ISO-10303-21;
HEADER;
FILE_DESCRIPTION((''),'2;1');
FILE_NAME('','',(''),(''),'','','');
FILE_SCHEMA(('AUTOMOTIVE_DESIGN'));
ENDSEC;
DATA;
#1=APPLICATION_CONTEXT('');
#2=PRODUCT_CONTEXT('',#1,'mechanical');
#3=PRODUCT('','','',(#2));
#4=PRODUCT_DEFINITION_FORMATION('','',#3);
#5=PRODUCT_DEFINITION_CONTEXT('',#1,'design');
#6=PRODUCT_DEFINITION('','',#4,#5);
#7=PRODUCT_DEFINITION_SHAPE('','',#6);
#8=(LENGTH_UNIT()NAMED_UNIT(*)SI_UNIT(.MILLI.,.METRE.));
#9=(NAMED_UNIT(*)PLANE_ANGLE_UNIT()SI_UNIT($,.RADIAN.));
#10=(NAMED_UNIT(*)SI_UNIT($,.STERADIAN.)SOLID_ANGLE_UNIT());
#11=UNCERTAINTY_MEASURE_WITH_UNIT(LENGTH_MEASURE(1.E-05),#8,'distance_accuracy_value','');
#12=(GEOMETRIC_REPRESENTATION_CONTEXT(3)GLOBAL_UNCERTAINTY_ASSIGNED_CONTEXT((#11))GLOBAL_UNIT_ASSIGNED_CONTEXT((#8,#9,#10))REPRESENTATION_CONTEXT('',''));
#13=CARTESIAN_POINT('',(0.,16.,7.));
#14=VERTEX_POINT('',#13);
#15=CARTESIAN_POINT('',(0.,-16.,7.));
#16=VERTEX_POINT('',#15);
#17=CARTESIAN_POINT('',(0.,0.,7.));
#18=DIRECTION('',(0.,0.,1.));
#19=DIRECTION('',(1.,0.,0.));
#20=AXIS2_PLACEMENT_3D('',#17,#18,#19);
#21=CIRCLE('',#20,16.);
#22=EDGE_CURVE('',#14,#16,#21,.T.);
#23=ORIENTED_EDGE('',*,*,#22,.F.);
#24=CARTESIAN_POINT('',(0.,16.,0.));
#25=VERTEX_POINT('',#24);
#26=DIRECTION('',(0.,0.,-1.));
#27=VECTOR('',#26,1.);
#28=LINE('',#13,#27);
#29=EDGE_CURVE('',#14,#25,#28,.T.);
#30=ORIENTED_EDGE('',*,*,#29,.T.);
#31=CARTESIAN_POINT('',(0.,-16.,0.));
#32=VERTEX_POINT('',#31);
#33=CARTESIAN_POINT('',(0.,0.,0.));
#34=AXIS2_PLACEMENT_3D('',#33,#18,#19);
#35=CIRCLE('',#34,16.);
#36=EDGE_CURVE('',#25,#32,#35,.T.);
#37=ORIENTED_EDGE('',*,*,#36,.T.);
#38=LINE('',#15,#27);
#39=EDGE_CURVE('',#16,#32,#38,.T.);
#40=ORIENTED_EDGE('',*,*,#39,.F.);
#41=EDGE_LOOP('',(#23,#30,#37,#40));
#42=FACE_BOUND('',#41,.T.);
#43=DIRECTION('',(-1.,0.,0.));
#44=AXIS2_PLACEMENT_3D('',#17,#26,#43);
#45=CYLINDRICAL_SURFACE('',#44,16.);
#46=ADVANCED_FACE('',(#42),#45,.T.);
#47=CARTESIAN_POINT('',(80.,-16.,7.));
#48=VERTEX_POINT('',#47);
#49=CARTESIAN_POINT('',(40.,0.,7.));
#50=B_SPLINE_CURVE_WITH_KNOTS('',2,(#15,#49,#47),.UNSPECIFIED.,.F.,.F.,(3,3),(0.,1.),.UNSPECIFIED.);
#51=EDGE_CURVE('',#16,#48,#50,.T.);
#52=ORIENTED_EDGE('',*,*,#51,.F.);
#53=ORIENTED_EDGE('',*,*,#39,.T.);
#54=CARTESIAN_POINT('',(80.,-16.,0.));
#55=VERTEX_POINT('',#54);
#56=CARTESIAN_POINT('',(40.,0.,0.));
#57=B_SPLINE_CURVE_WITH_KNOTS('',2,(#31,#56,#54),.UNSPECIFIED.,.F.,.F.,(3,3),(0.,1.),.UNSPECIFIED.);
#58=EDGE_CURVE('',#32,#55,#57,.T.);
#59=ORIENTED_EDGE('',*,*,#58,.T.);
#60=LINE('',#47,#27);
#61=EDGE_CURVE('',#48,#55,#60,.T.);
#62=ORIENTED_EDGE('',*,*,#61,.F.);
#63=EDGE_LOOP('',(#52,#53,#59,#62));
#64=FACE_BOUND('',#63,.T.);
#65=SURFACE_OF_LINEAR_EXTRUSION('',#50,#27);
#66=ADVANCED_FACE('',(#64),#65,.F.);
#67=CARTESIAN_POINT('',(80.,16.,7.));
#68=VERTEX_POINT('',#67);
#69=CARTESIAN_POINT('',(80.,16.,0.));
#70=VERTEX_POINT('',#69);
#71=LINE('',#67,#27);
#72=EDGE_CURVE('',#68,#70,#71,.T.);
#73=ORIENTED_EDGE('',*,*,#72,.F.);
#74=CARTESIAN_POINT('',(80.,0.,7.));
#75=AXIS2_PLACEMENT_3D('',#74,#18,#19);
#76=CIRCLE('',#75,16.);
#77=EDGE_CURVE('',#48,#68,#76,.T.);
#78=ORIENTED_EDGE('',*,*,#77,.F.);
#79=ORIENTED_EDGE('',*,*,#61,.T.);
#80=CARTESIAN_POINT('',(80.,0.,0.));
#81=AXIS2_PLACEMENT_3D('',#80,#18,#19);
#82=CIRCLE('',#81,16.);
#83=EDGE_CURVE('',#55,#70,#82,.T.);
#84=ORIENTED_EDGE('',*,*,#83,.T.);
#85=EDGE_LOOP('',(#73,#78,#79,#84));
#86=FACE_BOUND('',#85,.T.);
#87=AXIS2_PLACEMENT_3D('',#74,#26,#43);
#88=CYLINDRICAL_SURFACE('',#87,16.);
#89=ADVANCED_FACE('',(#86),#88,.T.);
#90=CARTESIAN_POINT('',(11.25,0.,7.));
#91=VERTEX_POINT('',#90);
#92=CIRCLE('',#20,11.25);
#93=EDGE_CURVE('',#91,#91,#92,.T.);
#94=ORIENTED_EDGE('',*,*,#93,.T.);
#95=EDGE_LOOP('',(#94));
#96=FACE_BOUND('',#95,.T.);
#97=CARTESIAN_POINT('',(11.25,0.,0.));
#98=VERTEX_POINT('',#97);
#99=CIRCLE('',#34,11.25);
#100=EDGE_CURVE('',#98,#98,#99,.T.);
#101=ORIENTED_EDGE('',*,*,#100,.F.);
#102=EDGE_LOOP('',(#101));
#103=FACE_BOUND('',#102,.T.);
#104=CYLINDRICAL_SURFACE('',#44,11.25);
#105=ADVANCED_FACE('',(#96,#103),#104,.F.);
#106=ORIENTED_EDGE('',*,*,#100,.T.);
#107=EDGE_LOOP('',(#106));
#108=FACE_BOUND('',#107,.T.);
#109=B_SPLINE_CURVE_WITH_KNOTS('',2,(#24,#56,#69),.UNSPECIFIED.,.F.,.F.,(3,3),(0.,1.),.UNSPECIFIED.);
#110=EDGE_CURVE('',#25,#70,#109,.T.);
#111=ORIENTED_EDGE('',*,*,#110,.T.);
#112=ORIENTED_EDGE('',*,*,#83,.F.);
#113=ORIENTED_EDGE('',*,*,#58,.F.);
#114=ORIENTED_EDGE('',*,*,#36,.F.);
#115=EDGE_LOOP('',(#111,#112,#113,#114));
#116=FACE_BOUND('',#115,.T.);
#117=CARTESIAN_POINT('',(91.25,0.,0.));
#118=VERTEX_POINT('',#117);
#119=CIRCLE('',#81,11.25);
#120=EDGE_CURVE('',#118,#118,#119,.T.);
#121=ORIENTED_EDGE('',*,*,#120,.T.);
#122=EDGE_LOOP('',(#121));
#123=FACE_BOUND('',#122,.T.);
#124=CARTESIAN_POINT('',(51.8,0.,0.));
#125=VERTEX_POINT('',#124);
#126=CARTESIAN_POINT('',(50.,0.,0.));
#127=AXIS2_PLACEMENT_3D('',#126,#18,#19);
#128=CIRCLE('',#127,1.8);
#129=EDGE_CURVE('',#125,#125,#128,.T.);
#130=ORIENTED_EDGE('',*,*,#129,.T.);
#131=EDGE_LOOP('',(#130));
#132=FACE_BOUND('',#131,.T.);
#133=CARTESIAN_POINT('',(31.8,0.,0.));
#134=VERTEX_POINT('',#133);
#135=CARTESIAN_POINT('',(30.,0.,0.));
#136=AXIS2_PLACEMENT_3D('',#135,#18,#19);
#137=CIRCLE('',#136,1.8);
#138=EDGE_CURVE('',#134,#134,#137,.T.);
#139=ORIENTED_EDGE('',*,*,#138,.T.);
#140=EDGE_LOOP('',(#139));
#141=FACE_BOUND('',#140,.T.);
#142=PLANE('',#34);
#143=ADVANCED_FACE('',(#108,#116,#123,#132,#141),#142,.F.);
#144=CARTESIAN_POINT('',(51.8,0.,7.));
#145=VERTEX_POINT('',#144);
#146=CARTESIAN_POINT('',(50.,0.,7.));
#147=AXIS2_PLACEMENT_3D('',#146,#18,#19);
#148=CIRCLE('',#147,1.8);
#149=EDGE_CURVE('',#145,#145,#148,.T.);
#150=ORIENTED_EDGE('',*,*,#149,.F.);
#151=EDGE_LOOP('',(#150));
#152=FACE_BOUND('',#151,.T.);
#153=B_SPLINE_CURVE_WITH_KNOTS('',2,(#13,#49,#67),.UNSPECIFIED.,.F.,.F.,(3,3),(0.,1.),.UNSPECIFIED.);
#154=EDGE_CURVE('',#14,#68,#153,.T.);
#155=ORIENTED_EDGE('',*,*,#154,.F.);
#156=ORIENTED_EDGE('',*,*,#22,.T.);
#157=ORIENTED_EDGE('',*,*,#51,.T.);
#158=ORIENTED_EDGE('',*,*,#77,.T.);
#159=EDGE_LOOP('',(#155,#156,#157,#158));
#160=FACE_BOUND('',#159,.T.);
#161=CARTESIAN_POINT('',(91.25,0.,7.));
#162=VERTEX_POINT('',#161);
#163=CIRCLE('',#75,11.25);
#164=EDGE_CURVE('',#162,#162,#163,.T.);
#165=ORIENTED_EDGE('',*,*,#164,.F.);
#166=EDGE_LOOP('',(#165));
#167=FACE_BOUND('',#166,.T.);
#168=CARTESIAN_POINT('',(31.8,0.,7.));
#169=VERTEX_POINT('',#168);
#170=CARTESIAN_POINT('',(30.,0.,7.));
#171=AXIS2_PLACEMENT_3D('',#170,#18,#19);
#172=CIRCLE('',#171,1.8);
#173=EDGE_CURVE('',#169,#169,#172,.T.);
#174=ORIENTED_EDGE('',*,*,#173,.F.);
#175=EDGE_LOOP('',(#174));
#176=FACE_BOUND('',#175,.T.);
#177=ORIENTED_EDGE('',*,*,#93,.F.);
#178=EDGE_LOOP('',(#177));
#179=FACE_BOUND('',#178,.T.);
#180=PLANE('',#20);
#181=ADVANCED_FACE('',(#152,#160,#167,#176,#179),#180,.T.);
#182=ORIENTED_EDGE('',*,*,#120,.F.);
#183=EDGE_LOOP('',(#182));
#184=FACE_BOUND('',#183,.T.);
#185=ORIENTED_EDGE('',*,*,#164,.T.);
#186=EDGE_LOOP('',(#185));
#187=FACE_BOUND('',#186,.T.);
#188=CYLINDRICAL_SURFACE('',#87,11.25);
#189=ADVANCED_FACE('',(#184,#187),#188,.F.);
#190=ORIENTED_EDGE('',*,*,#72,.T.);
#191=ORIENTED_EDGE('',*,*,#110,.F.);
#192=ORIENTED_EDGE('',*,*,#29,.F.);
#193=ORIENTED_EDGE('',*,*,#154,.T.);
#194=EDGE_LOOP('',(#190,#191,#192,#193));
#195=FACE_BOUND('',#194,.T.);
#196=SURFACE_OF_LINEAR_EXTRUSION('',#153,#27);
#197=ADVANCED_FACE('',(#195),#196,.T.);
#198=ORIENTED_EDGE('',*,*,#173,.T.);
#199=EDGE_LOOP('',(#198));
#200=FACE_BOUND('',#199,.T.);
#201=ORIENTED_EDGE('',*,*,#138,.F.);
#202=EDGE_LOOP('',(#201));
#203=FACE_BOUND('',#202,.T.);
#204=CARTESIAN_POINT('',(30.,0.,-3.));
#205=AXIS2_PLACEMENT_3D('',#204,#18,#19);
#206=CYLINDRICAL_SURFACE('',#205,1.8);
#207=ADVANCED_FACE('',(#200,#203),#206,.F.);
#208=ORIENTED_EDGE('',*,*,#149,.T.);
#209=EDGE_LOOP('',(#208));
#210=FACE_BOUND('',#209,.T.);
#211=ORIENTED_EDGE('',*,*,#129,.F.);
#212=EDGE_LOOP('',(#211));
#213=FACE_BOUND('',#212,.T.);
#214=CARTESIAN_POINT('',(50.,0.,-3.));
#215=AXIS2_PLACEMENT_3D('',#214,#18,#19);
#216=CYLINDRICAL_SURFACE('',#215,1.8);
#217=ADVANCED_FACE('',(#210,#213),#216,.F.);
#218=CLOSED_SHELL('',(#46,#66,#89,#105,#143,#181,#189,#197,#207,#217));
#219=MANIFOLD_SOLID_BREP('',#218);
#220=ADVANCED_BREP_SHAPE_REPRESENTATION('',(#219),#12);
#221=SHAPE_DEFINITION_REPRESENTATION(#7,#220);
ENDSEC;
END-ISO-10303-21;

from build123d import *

# Parameters (mm, degrees)
ESQUISSE1_R             = 11.25
BOSS_EXTRU_1_DEPTH      = 7
ESQUISSE2_R             = 1.8
ENL_V_MAT_EXTRU_1_DEPTH = 10


with BuildPart() as part:
    # Esquisse1 → Boss.-Extru.1 (new body)
    with BuildSketch(Plane.XY):
        with BuildLine():
            ThreePointArc((0, 16), (-16, 0), (0, -16))
            add(Edge.make_bspline(
                [(0, -16), (40, 0), (80, -16)],
                knots=[0, 0, 0, 1, 1, 1], degree=2))
            ThreePointArc((80, -16), (96, 0), (80, 16))
            add(Edge.make_bspline(
                [(0, 16), (40, 0), (80, 16)],
                knots=[0, 0, 0, 1, 1, 1], degree=2))
        make_face()
        with Locations((80, 0)):
            Circle(ESQUISSE1_R, mode=Mode.SUBTRACT)
        Circle(ESQUISSE1_R, mode=Mode.SUBTRACT)
    extrude(amount=BOSS_EXTRU_1_DEPTH)

    # Esquisse2 → Enlèv. mat.-Extru.1 (cut)
    with BuildSketch(Plane.XY.offset(7)):
        with Locations((30, 0)):
            Circle(ESQUISSE2_R)
        with Locations((50, 0)):
            Circle(ESQUISSE2_R)
    extrude(amount=-ENL_V_MAT_EXTRU_1_DEPTH, mode=Mode.SUBTRACT)


solid = part.part
